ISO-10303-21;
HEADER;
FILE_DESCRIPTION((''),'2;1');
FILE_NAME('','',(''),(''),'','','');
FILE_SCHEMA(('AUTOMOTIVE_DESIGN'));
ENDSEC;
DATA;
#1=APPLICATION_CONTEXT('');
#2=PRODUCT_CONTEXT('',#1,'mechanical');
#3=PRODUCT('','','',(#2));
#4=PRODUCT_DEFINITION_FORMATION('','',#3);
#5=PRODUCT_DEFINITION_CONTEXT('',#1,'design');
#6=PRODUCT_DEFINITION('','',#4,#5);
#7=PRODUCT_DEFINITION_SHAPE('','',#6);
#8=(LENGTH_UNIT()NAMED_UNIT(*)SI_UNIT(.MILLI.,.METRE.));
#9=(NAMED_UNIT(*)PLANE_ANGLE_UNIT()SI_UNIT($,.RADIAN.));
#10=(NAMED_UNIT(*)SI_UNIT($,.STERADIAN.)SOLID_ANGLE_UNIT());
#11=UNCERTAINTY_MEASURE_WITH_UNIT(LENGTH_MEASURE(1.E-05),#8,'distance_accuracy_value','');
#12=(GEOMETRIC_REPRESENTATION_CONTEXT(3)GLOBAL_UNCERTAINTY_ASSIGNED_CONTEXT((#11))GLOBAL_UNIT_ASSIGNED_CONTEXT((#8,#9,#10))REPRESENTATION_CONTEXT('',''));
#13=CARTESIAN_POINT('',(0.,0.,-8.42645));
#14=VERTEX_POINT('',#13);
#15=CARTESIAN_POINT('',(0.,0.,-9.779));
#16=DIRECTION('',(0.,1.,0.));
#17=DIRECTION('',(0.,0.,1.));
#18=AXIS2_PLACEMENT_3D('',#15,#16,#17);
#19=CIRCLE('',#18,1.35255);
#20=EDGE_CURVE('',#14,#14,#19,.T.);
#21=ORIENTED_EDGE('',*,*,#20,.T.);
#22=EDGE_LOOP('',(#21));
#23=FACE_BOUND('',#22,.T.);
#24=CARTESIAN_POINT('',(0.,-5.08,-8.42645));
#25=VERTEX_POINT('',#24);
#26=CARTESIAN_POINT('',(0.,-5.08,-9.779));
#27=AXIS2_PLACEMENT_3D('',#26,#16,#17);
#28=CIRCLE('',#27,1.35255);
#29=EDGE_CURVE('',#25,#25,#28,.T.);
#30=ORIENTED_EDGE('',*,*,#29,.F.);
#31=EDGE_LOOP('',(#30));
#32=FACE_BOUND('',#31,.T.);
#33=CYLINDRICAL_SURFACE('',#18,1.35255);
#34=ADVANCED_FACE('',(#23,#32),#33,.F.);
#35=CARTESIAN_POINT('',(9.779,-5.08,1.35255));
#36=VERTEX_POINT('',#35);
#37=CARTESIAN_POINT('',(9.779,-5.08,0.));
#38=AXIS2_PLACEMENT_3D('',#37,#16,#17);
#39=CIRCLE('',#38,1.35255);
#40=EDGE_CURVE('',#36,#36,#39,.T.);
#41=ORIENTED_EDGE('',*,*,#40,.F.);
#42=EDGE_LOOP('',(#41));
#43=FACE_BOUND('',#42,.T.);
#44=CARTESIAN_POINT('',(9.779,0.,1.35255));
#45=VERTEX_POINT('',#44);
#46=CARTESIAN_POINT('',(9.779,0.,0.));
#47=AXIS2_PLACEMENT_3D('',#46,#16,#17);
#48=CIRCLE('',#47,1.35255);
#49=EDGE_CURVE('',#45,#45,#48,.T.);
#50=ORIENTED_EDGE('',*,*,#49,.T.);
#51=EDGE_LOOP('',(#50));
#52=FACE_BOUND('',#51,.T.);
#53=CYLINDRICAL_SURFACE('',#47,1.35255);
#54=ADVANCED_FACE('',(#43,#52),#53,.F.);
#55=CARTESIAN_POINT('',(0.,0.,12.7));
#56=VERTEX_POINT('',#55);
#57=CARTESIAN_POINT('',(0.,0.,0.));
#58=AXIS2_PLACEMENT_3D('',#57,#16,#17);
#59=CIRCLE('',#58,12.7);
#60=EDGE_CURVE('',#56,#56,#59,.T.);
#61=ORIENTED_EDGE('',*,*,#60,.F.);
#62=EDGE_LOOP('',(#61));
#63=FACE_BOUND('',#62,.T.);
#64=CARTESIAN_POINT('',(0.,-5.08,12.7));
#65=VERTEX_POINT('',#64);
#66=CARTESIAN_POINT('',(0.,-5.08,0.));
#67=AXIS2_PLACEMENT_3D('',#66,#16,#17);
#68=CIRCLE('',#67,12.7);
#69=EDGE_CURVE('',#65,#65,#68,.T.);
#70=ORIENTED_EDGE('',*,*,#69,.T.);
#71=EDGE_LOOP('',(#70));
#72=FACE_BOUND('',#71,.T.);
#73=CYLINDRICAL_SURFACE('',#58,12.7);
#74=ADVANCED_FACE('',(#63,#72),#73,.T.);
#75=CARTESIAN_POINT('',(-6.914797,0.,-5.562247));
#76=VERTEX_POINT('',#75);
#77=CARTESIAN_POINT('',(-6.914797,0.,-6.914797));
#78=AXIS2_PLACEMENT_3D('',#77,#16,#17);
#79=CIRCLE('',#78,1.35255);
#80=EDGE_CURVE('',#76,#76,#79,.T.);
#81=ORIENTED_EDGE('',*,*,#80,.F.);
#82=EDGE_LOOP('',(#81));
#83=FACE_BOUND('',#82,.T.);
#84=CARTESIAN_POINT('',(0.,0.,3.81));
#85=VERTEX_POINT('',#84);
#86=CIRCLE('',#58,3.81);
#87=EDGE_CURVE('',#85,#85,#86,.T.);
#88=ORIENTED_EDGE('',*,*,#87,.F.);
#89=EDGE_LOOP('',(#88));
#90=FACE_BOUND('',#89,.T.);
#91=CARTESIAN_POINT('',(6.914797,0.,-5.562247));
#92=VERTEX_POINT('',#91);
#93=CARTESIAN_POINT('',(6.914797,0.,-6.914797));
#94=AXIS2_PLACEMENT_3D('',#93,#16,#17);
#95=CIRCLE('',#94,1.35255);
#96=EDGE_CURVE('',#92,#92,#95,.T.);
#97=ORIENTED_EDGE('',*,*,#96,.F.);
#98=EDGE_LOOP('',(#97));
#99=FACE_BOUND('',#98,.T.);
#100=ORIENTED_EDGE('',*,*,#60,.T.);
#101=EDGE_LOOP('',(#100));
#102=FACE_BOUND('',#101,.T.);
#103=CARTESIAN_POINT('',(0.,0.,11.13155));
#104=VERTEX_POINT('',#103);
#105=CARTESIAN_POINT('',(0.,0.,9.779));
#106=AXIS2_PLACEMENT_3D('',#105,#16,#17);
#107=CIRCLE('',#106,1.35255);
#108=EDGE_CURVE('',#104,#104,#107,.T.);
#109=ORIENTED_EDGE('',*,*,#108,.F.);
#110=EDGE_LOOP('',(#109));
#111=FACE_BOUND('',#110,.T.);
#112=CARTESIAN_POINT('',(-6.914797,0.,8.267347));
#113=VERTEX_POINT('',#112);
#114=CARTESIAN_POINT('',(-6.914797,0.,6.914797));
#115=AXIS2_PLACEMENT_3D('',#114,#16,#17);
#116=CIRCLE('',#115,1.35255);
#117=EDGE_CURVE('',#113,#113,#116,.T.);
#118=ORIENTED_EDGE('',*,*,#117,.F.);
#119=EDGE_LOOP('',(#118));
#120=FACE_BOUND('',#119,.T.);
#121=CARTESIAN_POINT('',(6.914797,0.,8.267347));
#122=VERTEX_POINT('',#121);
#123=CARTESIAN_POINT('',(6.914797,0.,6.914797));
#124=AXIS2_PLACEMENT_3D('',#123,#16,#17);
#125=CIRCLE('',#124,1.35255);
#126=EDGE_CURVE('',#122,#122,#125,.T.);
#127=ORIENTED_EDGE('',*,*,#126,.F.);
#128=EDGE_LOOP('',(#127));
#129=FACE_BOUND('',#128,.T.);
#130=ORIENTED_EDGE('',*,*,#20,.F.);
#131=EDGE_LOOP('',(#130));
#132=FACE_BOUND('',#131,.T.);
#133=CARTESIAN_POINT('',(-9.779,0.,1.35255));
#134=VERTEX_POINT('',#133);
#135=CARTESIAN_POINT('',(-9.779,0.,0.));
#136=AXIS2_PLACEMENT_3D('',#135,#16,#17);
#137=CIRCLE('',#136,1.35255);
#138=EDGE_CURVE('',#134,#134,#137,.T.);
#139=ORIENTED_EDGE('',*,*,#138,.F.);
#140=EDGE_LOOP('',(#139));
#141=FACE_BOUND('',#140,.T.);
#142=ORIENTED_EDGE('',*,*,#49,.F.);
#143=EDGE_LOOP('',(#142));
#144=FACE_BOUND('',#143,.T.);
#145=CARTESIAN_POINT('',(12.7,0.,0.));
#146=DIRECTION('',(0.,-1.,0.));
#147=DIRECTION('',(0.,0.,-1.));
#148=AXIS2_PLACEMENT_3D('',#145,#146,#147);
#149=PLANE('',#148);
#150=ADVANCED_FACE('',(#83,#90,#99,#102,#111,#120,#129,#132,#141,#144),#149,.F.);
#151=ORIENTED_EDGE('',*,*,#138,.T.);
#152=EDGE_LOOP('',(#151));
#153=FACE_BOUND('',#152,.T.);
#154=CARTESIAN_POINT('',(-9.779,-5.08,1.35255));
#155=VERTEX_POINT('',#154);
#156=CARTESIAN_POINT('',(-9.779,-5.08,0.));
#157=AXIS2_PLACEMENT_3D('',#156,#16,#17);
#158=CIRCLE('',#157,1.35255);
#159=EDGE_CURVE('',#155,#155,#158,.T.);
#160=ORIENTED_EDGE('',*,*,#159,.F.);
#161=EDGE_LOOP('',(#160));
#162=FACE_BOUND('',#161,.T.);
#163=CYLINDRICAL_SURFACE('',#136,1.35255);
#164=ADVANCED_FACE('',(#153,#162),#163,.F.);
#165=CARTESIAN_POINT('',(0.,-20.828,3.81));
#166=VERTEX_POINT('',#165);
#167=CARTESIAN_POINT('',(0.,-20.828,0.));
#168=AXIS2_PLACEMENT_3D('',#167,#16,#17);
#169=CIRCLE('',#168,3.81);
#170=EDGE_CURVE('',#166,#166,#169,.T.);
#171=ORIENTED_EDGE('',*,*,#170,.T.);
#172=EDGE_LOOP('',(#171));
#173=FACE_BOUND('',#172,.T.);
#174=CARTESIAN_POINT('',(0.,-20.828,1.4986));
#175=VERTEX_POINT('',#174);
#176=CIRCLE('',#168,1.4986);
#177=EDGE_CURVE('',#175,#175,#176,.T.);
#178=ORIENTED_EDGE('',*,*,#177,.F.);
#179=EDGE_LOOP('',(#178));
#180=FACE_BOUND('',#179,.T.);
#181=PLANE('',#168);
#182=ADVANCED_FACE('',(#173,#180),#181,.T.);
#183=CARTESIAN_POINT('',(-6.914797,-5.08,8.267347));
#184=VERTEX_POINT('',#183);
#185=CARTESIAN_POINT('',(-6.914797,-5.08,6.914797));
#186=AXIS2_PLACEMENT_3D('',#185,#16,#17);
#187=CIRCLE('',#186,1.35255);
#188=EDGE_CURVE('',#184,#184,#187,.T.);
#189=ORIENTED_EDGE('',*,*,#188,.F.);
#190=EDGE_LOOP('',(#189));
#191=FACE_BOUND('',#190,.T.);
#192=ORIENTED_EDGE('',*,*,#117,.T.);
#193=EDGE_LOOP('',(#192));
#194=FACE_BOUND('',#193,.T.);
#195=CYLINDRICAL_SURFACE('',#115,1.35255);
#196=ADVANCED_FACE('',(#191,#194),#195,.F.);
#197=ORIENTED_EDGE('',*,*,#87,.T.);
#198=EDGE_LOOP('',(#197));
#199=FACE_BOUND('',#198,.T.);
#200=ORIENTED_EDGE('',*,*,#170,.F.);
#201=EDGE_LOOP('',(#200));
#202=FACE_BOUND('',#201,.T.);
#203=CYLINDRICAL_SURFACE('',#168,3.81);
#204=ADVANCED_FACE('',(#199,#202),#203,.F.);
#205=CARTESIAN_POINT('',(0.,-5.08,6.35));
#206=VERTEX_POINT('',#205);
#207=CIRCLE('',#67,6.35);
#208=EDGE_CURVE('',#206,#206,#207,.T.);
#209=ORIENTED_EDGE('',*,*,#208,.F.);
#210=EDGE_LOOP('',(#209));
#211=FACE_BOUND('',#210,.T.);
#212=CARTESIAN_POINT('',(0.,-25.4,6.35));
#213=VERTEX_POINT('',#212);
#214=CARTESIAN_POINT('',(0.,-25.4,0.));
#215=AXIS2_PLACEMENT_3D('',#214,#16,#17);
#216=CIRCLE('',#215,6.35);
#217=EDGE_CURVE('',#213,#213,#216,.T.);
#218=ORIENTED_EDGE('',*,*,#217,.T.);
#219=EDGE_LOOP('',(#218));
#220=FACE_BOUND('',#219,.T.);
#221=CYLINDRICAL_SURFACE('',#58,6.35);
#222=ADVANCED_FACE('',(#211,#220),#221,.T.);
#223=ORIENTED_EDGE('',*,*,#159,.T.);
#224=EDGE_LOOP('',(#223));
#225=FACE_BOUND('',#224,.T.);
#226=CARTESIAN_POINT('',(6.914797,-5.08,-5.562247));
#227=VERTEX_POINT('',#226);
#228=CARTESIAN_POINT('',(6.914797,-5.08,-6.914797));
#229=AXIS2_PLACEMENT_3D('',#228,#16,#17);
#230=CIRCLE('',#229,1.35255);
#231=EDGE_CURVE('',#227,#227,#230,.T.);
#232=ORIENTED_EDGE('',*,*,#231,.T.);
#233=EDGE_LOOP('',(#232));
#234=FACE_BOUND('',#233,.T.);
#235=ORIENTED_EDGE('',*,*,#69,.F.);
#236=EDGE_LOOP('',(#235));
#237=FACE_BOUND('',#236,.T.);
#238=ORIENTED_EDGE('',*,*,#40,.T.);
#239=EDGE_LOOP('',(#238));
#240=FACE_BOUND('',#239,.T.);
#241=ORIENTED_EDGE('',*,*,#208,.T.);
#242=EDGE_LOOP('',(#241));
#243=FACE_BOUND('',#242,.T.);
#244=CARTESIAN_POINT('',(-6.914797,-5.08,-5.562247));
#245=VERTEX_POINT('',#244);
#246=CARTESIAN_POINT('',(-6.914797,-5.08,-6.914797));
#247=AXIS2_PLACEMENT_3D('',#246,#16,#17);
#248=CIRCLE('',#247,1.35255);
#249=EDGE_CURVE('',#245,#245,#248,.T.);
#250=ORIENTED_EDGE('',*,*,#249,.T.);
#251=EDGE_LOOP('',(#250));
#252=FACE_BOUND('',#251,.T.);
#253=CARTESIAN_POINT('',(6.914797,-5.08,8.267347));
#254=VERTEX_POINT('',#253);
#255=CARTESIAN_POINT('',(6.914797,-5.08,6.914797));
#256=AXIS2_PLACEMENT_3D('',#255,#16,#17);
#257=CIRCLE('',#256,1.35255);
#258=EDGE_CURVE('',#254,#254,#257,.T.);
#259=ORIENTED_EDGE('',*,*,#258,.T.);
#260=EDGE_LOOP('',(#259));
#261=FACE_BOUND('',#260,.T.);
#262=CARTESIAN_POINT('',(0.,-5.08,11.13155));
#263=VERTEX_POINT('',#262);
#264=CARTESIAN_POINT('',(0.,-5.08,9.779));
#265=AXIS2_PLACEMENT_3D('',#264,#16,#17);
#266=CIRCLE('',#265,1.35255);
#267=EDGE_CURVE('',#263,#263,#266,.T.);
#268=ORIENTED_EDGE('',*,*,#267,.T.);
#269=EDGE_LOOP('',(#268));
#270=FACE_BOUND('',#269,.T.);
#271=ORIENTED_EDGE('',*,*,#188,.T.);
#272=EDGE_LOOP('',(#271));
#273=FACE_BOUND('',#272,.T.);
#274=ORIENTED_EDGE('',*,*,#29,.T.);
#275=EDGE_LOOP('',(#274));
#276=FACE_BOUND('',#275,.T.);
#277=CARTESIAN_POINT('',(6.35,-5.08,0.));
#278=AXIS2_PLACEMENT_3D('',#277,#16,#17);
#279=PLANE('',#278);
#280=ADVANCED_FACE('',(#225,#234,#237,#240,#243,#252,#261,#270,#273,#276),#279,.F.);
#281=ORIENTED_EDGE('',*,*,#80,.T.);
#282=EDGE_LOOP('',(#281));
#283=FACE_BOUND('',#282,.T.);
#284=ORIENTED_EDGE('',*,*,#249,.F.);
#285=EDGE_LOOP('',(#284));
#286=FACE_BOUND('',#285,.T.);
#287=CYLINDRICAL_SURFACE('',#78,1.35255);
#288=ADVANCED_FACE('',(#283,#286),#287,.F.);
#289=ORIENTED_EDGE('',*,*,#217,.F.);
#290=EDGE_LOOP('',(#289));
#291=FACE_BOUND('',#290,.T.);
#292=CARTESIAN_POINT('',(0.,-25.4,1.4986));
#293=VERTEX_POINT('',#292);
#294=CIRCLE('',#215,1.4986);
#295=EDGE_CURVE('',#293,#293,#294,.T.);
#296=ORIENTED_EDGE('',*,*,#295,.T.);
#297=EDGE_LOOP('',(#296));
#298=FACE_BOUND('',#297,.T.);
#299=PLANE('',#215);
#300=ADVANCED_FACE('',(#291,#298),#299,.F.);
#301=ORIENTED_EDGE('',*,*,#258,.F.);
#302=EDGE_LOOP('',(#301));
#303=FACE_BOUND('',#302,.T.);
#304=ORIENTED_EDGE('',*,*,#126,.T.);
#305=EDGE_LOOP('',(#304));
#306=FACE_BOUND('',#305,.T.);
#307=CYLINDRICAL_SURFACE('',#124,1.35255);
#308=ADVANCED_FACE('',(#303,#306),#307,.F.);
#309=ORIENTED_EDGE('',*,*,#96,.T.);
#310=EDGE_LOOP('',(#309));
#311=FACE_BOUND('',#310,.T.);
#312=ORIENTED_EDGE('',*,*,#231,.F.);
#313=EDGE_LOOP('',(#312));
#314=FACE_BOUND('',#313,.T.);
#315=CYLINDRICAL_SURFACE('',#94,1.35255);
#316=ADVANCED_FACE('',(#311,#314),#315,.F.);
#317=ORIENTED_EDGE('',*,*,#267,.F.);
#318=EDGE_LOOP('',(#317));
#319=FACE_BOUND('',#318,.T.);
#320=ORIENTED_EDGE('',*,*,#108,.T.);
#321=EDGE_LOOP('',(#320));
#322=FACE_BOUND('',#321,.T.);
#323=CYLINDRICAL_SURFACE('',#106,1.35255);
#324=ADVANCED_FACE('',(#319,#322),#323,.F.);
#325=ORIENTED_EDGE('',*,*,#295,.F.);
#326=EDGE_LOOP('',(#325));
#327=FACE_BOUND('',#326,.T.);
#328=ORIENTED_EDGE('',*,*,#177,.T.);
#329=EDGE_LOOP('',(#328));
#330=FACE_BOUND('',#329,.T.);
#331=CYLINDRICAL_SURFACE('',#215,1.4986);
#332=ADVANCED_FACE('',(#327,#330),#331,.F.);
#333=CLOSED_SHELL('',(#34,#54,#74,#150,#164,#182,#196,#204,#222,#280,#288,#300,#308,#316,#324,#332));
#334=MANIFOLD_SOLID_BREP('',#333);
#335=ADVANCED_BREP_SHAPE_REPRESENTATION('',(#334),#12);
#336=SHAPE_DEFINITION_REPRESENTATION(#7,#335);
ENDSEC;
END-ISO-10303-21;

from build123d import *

# Parameters (mm, degrees)
CIRPATTERN1_COUNT  = 8
SKETCH5_R          = 3.81
CUT_EXTRUDE1_DEPTH = 20.828
SKETCH6_R          = 1.4986
CUT_EXTRUDE2_DEPTH = 5.572


with BuildPart() as part:
    # Sketch1 → Revolve1 (revolve)
    with BuildSketch(Plane.XY):
        Polygon((12.7, 0), (0, 0), (0, -25.4), (6.35, -25.4), (6.35, -5.08), (12.7, -5.08), align=None)
    revolve(axis=Axis((0, 0, 0), (0, -1, 0)))

    # Sketch4 → #6-32 Tapped Hole1 (revolve, cut)
    with BuildSketch(Plane(origin=(0, 0, 9.779), x_dir=(0, 0, 1), z_dir=(1, 0, 0))):
        Polygon((0, 0), (0, 10.21069403), (1.35255, 9.398), (1.35255, 0), align=None)
    f_6_32_tapped_hole1 = revolve(axis=Axis((0, 6.35, 9.779), (0, -1, 0)), mode=Mode.SUBTRACT)

    # CirPattern1: #6-32 Tapped Hole1 ×8 about axis
    cirpattern1_axis = Axis((0, 0, 0), (0, 1, 0))
    for i in range(1, CIRPATTERN1_COUNT):
        add(f_6_32_tapped_hole1.rotate(cirpattern1_axis, i * 360 / CIRPATTERN1_COUNT), mode=Mode.SUBTRACT)

    # Sketch5 → Cut-Extrude1 (cut)
    with BuildSketch(Plane(origin=(0, 0, 0), x_dir=(1, 0, 0), z_dir=(0, 1, 0))):
        Circle(SKETCH5_R)
    extrude(amount=-CUT_EXTRUDE1_DEPTH, mode=Mode.SUBTRACT)

    # Sketch6 → Cut-Extrude2 (cut, through all)
    with BuildSketch(Plane(origin=(0, -20.828, 0), x_dir=(1, 0, 0), z_dir=(0, 1, 0))):
        Circle(SKETCH6_R)
    extrude(amount=-CUT_EXTRUDE2_DEPTH, mode=Mode.SUBTRACT)


solid = part.part
